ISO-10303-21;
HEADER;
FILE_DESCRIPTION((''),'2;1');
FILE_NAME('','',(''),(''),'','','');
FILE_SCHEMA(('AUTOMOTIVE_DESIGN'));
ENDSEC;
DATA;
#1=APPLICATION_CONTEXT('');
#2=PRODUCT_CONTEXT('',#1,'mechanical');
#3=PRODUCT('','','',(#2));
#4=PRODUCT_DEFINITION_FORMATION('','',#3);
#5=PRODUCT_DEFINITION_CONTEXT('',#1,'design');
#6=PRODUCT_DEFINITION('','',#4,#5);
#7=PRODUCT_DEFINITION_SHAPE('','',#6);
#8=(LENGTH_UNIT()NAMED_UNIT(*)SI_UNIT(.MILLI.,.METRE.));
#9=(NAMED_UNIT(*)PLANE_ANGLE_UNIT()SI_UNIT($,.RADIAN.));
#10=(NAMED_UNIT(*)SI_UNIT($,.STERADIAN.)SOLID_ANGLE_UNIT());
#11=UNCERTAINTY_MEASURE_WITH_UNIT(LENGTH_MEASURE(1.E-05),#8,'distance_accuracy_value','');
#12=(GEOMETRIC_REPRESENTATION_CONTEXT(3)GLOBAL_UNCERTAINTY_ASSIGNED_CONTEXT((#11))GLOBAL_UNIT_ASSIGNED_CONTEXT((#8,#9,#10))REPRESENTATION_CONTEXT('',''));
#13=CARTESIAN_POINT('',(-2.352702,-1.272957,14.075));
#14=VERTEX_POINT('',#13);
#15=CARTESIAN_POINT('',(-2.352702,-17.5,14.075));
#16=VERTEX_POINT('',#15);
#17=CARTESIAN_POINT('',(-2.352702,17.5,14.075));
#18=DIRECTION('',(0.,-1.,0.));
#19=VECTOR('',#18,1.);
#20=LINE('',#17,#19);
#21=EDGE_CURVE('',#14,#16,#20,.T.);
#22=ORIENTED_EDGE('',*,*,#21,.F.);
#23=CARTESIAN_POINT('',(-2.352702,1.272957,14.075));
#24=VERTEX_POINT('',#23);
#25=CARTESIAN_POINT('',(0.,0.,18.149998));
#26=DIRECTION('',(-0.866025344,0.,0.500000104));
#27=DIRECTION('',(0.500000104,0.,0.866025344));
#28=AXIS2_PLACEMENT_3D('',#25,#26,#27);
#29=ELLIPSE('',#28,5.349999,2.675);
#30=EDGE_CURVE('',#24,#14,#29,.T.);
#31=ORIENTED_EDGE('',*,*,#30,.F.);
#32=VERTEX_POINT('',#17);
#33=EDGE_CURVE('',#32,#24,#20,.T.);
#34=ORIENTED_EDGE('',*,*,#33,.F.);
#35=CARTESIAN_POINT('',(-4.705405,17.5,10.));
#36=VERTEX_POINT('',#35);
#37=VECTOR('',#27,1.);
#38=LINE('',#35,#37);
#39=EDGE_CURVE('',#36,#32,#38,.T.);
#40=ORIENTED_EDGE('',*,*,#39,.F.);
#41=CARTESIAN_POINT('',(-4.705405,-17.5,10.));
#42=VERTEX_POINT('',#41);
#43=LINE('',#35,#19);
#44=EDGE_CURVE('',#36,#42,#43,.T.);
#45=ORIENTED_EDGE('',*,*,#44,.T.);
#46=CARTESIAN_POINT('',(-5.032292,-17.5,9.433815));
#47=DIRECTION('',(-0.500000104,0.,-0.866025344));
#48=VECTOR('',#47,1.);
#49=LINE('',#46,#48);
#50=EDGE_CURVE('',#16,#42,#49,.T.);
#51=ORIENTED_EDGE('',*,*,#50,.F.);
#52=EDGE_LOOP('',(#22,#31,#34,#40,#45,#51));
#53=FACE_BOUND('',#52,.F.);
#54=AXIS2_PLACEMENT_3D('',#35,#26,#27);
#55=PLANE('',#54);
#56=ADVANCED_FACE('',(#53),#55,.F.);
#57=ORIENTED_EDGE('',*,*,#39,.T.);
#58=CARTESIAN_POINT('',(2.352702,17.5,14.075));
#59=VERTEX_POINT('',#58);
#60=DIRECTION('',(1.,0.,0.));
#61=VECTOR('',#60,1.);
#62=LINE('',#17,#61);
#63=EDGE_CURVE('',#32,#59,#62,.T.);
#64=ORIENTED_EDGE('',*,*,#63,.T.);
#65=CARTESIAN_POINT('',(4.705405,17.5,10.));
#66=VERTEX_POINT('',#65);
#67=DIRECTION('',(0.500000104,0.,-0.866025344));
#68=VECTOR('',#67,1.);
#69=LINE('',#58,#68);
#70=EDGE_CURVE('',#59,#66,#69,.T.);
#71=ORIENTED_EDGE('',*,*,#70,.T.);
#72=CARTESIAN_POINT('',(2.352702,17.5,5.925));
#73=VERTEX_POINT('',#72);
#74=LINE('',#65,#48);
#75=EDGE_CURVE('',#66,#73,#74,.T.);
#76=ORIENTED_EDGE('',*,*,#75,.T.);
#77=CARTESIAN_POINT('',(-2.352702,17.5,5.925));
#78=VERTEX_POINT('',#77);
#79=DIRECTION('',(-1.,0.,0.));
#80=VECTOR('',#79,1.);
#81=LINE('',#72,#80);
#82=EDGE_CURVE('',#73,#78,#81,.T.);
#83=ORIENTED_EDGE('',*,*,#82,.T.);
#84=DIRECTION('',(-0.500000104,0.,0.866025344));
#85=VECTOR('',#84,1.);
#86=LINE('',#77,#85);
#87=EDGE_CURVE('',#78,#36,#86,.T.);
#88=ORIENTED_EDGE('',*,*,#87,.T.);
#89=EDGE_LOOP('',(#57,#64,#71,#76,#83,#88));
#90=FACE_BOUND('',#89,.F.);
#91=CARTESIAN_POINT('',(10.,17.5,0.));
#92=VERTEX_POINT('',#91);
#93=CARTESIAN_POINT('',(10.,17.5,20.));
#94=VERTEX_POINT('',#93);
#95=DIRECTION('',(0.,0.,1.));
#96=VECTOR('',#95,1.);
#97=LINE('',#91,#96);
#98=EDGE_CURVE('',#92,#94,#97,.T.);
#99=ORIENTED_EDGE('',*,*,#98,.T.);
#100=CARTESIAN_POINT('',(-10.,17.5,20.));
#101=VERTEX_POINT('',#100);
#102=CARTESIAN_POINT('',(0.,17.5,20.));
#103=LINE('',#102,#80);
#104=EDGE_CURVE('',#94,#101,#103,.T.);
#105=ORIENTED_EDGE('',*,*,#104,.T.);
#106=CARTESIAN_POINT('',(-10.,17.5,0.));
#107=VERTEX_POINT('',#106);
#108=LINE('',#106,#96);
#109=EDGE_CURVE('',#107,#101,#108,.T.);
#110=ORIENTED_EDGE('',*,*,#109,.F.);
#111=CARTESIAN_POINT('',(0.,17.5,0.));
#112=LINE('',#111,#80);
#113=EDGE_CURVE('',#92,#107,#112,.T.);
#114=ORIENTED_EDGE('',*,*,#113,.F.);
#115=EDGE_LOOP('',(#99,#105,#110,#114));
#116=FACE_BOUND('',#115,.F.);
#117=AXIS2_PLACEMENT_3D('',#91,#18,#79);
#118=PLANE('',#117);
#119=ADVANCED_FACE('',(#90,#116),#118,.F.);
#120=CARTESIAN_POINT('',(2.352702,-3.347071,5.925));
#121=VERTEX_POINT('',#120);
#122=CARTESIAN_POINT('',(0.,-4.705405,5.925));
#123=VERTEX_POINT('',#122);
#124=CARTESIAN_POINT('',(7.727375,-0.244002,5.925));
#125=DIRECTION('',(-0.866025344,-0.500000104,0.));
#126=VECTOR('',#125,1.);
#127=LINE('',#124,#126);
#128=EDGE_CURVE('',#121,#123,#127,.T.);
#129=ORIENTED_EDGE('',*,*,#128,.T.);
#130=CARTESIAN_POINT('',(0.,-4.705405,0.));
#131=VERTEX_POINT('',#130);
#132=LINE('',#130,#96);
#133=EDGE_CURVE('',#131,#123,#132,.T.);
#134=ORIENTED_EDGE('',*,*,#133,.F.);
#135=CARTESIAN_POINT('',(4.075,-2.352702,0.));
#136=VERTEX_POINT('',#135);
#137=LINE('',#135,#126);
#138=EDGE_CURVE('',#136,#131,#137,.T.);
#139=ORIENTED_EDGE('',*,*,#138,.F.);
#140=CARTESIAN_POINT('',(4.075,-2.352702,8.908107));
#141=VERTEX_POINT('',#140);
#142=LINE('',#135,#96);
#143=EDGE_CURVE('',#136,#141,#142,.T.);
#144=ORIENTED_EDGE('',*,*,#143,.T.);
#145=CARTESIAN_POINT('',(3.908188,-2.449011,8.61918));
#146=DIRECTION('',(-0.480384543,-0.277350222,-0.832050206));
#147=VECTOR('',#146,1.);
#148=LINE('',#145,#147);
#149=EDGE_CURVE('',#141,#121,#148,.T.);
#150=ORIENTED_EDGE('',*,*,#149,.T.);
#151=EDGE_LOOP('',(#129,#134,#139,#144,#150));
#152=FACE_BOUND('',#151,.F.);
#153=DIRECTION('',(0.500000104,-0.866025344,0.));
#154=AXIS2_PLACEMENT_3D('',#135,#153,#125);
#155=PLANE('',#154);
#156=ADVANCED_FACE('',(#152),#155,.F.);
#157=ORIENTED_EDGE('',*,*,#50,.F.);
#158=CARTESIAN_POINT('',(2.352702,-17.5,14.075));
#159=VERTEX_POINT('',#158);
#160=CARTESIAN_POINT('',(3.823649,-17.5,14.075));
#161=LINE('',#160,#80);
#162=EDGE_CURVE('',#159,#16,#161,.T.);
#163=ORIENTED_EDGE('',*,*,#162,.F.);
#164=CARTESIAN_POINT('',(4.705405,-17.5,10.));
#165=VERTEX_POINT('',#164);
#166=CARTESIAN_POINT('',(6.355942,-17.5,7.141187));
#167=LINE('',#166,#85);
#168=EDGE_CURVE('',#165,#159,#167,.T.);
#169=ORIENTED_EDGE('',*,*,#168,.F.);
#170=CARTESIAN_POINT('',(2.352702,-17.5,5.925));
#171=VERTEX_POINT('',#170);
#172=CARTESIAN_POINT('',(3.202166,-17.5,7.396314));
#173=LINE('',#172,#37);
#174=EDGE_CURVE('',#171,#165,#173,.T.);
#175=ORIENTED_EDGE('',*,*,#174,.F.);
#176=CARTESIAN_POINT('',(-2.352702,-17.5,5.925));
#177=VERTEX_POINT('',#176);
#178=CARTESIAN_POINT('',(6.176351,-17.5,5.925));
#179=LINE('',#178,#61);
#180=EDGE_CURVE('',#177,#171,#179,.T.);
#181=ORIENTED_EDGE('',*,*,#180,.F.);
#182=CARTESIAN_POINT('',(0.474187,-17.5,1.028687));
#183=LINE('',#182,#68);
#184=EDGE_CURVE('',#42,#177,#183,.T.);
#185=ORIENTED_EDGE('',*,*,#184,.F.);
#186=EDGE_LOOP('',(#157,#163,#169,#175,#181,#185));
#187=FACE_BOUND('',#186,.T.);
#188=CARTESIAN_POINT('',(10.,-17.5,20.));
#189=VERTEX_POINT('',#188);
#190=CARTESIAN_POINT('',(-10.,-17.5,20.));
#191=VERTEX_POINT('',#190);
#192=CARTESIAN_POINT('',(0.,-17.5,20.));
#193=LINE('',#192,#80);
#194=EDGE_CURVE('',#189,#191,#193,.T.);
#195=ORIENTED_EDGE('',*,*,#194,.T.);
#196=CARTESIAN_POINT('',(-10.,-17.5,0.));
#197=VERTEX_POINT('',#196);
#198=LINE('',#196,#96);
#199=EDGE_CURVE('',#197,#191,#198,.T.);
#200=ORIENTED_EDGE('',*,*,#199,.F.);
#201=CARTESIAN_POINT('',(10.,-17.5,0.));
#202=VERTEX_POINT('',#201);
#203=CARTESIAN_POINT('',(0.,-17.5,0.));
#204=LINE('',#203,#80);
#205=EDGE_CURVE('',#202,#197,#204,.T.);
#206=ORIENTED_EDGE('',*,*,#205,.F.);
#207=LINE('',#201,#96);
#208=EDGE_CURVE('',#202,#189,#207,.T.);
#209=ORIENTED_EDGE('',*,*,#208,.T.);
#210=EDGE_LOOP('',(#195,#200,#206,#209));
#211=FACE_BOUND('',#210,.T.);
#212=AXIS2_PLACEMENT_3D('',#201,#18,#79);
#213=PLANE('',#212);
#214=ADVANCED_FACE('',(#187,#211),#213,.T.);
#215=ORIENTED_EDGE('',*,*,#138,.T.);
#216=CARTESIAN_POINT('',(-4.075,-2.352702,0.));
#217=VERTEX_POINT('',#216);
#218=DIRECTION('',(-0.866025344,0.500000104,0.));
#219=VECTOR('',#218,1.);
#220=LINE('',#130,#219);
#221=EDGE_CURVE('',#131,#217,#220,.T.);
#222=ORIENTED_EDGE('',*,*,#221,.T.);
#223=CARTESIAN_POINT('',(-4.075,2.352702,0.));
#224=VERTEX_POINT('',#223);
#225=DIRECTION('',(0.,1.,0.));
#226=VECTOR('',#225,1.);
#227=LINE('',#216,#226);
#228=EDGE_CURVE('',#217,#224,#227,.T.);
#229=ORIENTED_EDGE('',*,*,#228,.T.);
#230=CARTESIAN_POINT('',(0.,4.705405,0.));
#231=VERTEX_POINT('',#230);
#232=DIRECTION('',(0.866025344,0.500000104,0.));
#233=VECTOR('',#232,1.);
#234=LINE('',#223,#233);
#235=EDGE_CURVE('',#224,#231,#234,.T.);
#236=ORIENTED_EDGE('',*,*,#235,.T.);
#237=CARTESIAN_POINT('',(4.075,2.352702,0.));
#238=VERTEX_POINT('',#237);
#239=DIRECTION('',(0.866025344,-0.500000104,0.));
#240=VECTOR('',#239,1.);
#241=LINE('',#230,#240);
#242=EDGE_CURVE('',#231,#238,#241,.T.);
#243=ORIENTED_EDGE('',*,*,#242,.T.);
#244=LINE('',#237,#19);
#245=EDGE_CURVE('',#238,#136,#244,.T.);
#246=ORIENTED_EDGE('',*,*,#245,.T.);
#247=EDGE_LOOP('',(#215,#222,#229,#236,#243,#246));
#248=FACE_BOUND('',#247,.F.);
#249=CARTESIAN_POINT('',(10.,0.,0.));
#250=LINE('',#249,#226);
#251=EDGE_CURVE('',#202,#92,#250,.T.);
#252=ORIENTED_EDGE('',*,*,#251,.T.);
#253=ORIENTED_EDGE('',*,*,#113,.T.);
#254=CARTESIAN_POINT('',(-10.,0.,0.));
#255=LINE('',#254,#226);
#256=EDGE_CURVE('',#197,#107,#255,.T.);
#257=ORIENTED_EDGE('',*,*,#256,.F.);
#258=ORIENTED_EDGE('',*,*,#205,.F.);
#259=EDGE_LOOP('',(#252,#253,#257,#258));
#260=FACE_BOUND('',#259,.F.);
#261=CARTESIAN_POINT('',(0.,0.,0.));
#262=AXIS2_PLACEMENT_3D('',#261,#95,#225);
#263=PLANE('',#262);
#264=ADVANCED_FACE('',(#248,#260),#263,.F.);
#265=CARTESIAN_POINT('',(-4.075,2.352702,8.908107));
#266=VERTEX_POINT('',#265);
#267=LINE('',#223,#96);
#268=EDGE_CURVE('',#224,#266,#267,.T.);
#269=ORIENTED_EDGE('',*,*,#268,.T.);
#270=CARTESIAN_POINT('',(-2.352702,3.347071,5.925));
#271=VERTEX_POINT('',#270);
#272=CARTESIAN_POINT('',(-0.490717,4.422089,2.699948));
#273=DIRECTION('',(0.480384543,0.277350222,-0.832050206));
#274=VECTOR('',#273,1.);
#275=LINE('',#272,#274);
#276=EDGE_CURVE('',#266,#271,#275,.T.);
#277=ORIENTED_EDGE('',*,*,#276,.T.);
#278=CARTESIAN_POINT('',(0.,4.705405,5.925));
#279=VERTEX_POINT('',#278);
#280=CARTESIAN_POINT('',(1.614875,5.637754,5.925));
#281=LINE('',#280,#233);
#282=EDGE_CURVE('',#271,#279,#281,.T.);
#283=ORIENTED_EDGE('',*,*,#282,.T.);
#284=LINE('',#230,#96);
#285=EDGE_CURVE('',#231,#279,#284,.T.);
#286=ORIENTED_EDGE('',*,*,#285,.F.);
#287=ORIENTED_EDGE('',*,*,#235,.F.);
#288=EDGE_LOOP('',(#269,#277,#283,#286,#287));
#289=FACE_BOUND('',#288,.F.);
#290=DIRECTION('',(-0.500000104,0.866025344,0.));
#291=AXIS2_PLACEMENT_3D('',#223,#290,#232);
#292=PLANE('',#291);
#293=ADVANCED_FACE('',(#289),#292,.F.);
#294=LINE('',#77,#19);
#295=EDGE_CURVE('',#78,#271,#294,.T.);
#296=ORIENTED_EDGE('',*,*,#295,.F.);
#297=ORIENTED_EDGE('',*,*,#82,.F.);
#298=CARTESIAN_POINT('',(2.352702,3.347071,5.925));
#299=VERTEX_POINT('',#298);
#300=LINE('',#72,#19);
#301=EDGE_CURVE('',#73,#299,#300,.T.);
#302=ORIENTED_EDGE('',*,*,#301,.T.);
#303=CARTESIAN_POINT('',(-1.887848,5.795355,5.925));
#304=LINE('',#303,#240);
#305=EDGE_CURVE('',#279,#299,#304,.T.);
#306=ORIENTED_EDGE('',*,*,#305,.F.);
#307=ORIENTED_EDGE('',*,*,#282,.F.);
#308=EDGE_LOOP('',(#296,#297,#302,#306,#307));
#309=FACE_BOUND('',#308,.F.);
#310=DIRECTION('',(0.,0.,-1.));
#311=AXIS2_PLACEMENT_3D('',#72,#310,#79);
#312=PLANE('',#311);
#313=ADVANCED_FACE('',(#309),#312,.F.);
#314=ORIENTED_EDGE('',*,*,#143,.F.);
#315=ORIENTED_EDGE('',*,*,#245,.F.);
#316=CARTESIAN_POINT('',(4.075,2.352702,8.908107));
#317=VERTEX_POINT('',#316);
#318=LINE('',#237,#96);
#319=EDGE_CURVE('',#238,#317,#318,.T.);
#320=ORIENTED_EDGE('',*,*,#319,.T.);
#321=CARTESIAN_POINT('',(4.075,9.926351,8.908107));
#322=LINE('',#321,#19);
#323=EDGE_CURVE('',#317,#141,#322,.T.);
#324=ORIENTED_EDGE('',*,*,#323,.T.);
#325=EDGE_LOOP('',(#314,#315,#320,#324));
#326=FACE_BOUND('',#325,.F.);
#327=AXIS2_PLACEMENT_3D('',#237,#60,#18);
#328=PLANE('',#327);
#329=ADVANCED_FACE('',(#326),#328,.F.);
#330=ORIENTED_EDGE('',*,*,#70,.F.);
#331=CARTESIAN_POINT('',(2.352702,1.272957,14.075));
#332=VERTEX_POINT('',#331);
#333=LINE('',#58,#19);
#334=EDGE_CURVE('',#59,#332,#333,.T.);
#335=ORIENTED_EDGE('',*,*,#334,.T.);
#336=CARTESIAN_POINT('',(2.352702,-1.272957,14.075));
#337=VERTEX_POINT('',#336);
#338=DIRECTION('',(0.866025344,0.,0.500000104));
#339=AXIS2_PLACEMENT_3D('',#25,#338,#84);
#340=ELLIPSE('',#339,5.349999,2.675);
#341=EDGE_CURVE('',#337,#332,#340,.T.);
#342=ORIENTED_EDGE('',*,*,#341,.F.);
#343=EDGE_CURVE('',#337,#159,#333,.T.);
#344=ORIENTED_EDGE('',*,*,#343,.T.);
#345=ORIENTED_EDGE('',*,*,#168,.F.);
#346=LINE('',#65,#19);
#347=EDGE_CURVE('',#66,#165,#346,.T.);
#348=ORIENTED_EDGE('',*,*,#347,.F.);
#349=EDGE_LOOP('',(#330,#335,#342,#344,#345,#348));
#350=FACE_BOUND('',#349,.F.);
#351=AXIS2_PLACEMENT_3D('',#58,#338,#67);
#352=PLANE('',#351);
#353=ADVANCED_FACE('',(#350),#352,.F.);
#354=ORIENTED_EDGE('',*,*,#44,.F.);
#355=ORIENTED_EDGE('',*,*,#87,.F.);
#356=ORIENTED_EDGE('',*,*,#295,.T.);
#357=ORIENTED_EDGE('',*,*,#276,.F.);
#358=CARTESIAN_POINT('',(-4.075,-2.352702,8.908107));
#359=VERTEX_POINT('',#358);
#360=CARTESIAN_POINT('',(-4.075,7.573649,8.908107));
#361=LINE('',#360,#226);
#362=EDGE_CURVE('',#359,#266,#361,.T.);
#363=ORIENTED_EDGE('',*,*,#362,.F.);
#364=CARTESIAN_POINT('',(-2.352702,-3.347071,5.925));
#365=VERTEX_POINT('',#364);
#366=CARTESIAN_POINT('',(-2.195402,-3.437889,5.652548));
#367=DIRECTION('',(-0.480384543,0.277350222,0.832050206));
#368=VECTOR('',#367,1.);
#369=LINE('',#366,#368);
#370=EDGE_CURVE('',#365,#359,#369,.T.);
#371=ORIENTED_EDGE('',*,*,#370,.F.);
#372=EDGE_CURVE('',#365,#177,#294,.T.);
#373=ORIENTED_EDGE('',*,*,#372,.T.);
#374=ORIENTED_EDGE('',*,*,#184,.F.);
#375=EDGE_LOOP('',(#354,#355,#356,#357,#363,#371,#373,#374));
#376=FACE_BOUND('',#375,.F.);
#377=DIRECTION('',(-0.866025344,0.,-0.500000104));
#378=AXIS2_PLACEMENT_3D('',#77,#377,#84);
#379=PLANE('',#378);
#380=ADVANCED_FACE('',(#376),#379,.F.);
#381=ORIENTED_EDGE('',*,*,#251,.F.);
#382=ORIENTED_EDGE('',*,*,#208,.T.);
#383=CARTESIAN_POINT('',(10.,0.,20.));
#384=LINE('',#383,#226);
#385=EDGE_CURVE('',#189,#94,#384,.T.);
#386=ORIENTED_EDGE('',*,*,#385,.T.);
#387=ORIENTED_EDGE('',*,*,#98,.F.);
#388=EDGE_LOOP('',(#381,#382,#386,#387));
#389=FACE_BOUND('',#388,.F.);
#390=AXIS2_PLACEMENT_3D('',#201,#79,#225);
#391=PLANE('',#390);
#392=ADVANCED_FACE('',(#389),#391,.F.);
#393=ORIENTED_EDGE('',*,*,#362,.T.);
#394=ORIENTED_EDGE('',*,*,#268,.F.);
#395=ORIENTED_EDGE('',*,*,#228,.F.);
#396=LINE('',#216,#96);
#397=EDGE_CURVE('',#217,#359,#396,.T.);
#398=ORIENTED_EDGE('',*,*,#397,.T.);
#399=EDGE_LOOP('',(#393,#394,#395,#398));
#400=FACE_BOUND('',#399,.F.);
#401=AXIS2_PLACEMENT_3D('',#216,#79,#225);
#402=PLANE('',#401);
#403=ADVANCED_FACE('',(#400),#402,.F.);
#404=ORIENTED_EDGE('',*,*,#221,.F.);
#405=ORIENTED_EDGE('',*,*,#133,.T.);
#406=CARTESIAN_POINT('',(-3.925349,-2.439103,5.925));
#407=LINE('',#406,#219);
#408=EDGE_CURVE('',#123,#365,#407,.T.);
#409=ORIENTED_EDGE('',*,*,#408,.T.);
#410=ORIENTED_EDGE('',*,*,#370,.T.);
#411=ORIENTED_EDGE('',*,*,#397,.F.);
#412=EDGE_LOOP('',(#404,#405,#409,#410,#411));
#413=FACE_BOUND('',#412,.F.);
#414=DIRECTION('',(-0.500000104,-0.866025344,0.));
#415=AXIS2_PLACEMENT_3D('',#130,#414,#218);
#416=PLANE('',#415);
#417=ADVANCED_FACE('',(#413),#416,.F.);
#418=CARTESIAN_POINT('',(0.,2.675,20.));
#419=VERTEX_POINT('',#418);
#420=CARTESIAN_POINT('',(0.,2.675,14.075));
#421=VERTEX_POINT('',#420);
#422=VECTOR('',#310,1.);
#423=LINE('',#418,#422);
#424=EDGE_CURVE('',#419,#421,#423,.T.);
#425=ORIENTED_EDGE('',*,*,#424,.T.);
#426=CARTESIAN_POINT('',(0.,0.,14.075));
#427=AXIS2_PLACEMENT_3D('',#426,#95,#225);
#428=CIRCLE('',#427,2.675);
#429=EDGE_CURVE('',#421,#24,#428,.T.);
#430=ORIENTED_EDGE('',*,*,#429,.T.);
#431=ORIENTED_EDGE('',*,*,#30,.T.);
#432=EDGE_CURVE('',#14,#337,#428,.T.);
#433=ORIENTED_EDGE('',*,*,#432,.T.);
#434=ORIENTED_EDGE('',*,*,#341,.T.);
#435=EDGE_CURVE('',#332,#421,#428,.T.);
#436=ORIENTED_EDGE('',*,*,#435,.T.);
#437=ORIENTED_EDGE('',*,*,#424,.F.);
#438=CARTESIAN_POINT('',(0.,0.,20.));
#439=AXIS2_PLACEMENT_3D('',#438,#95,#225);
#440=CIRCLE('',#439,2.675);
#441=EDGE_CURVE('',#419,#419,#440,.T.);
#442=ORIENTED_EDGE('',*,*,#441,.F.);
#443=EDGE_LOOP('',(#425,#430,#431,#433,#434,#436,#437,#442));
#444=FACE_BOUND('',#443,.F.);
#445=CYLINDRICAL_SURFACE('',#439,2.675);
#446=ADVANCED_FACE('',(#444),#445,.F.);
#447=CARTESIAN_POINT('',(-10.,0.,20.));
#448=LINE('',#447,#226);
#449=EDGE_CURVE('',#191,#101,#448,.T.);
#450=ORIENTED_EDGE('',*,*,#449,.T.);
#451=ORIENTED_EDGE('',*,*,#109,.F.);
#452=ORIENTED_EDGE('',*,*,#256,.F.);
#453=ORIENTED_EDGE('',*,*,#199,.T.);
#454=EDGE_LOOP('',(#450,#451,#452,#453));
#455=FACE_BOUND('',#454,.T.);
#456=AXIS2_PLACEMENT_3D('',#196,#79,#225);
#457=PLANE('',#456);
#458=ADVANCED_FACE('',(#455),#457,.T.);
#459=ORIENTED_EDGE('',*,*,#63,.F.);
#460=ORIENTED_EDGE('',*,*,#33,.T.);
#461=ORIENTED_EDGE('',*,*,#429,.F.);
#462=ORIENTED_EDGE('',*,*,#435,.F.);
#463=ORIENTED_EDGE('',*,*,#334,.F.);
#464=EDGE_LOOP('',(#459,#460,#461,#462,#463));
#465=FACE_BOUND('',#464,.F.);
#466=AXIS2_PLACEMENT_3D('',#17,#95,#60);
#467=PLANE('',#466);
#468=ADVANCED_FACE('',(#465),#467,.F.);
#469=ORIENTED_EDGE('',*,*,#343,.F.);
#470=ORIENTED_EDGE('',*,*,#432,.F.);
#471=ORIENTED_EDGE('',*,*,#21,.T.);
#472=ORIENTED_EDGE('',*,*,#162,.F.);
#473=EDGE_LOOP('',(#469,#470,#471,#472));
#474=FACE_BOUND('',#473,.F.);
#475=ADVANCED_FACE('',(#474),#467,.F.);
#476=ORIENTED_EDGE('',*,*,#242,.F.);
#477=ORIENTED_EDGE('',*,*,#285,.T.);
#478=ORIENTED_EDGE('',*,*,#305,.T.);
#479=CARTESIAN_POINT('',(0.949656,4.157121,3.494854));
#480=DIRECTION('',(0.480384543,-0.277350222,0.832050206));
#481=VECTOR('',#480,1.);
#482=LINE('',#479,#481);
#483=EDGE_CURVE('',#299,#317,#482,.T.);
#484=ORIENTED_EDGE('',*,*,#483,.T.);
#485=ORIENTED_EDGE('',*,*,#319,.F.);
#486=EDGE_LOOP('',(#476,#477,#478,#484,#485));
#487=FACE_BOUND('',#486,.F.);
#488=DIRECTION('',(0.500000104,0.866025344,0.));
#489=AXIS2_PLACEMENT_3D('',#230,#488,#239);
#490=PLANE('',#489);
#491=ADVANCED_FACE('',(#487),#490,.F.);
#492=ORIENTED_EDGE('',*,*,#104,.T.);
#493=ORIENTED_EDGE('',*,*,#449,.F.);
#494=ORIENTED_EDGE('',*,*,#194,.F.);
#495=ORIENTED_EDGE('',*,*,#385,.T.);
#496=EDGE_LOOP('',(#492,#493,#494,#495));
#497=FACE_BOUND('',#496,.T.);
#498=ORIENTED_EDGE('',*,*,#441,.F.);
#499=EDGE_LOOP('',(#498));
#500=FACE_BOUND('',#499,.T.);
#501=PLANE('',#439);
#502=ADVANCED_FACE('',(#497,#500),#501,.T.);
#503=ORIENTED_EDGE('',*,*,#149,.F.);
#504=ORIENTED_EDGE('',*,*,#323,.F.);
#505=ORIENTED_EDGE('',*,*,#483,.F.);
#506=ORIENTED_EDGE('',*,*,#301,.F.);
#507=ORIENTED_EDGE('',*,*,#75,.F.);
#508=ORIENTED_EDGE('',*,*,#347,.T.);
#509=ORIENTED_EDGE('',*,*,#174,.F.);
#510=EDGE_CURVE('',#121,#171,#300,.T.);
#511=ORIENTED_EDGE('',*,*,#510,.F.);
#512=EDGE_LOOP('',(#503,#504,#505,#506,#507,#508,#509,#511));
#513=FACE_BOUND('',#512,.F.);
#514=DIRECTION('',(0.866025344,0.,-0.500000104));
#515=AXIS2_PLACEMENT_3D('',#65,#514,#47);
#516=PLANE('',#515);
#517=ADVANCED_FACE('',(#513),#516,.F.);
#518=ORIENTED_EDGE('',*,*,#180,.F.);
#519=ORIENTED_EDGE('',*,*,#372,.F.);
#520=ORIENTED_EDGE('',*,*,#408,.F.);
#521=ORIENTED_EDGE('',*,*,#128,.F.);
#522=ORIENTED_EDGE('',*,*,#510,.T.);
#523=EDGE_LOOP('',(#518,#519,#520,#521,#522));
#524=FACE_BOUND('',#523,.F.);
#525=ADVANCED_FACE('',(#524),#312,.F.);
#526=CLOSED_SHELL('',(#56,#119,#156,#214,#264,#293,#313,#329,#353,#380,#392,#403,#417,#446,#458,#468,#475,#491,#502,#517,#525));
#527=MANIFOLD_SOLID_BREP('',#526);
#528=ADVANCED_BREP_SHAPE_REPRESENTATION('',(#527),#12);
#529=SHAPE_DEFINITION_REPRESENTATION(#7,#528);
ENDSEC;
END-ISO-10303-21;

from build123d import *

# Parameters (mm, degrees)
SKETCH004_W             = 35
SKETCH004_H             = 20
PAD001_DEPTH            = 20
POCKET003_DEPTH         = 100
SKETCH007_R             = 2.675
POCKET004_DEPTH         = 100
POCKET005_DEPTH         = 10
BODY001_PLACEMENT_ANGLE = 90


with BuildPart() as part:
    # Sketch004 → Pad001 (new body)
    with BuildSketch(Plane.XY):
        Rectangle(SKETCH004_W, SKETCH004_H)
    extrude(amount=PAD001_DEPTH)

    # Sketch005 (on Face2 of Pad001) → Pocket003 (cut)
    with BuildSketch(Plane.YZ.offset(17.5)):
        Polygon((2.352702, 14.075), (-2.352702, 14.075), (-4.705405, 10), (-2.352702, 5.925), (2.352702, 5.925), (4.705405, 10), align=None)
    extrude(amount=-POCKET003_DEPTH, mode=Mode.SUBTRACT)

    # Sketch007 (on Face5 of Pocket003) → Pocket004 (cut)
    with BuildSketch(Plane.XY.offset(20)):
        Circle(SKETCH007_R)
    extrude(amount=-POCKET004_DEPTH, mode=Mode.SUBTRACT)

    # Sketch008 (on Face4 of Pocket004) → Pocket005 (cut)
    with BuildSketch(Plane(origin=(0, 0, 0), x_dir=(1, 0, 0), z_dir=(0, 0, -1))):
        Polygon((4.705405, 0), (2.352702, 4.075), (-2.352702, 4.075), (-4.705405, 0), (-2.352702, -4.075), (2.352702, -4.075), align=None)
    extrude(amount=-POCKET005_DEPTH, mode=Mode.SUBTRACT)


with BuildPart() as part_1:
    # Body001 placement: moved
    add(part.part.rotate(Axis((0, 0, 0), (0, 0, 1)), BODY001_PLACEMENT_ANGLE))


solid = part_1.part
